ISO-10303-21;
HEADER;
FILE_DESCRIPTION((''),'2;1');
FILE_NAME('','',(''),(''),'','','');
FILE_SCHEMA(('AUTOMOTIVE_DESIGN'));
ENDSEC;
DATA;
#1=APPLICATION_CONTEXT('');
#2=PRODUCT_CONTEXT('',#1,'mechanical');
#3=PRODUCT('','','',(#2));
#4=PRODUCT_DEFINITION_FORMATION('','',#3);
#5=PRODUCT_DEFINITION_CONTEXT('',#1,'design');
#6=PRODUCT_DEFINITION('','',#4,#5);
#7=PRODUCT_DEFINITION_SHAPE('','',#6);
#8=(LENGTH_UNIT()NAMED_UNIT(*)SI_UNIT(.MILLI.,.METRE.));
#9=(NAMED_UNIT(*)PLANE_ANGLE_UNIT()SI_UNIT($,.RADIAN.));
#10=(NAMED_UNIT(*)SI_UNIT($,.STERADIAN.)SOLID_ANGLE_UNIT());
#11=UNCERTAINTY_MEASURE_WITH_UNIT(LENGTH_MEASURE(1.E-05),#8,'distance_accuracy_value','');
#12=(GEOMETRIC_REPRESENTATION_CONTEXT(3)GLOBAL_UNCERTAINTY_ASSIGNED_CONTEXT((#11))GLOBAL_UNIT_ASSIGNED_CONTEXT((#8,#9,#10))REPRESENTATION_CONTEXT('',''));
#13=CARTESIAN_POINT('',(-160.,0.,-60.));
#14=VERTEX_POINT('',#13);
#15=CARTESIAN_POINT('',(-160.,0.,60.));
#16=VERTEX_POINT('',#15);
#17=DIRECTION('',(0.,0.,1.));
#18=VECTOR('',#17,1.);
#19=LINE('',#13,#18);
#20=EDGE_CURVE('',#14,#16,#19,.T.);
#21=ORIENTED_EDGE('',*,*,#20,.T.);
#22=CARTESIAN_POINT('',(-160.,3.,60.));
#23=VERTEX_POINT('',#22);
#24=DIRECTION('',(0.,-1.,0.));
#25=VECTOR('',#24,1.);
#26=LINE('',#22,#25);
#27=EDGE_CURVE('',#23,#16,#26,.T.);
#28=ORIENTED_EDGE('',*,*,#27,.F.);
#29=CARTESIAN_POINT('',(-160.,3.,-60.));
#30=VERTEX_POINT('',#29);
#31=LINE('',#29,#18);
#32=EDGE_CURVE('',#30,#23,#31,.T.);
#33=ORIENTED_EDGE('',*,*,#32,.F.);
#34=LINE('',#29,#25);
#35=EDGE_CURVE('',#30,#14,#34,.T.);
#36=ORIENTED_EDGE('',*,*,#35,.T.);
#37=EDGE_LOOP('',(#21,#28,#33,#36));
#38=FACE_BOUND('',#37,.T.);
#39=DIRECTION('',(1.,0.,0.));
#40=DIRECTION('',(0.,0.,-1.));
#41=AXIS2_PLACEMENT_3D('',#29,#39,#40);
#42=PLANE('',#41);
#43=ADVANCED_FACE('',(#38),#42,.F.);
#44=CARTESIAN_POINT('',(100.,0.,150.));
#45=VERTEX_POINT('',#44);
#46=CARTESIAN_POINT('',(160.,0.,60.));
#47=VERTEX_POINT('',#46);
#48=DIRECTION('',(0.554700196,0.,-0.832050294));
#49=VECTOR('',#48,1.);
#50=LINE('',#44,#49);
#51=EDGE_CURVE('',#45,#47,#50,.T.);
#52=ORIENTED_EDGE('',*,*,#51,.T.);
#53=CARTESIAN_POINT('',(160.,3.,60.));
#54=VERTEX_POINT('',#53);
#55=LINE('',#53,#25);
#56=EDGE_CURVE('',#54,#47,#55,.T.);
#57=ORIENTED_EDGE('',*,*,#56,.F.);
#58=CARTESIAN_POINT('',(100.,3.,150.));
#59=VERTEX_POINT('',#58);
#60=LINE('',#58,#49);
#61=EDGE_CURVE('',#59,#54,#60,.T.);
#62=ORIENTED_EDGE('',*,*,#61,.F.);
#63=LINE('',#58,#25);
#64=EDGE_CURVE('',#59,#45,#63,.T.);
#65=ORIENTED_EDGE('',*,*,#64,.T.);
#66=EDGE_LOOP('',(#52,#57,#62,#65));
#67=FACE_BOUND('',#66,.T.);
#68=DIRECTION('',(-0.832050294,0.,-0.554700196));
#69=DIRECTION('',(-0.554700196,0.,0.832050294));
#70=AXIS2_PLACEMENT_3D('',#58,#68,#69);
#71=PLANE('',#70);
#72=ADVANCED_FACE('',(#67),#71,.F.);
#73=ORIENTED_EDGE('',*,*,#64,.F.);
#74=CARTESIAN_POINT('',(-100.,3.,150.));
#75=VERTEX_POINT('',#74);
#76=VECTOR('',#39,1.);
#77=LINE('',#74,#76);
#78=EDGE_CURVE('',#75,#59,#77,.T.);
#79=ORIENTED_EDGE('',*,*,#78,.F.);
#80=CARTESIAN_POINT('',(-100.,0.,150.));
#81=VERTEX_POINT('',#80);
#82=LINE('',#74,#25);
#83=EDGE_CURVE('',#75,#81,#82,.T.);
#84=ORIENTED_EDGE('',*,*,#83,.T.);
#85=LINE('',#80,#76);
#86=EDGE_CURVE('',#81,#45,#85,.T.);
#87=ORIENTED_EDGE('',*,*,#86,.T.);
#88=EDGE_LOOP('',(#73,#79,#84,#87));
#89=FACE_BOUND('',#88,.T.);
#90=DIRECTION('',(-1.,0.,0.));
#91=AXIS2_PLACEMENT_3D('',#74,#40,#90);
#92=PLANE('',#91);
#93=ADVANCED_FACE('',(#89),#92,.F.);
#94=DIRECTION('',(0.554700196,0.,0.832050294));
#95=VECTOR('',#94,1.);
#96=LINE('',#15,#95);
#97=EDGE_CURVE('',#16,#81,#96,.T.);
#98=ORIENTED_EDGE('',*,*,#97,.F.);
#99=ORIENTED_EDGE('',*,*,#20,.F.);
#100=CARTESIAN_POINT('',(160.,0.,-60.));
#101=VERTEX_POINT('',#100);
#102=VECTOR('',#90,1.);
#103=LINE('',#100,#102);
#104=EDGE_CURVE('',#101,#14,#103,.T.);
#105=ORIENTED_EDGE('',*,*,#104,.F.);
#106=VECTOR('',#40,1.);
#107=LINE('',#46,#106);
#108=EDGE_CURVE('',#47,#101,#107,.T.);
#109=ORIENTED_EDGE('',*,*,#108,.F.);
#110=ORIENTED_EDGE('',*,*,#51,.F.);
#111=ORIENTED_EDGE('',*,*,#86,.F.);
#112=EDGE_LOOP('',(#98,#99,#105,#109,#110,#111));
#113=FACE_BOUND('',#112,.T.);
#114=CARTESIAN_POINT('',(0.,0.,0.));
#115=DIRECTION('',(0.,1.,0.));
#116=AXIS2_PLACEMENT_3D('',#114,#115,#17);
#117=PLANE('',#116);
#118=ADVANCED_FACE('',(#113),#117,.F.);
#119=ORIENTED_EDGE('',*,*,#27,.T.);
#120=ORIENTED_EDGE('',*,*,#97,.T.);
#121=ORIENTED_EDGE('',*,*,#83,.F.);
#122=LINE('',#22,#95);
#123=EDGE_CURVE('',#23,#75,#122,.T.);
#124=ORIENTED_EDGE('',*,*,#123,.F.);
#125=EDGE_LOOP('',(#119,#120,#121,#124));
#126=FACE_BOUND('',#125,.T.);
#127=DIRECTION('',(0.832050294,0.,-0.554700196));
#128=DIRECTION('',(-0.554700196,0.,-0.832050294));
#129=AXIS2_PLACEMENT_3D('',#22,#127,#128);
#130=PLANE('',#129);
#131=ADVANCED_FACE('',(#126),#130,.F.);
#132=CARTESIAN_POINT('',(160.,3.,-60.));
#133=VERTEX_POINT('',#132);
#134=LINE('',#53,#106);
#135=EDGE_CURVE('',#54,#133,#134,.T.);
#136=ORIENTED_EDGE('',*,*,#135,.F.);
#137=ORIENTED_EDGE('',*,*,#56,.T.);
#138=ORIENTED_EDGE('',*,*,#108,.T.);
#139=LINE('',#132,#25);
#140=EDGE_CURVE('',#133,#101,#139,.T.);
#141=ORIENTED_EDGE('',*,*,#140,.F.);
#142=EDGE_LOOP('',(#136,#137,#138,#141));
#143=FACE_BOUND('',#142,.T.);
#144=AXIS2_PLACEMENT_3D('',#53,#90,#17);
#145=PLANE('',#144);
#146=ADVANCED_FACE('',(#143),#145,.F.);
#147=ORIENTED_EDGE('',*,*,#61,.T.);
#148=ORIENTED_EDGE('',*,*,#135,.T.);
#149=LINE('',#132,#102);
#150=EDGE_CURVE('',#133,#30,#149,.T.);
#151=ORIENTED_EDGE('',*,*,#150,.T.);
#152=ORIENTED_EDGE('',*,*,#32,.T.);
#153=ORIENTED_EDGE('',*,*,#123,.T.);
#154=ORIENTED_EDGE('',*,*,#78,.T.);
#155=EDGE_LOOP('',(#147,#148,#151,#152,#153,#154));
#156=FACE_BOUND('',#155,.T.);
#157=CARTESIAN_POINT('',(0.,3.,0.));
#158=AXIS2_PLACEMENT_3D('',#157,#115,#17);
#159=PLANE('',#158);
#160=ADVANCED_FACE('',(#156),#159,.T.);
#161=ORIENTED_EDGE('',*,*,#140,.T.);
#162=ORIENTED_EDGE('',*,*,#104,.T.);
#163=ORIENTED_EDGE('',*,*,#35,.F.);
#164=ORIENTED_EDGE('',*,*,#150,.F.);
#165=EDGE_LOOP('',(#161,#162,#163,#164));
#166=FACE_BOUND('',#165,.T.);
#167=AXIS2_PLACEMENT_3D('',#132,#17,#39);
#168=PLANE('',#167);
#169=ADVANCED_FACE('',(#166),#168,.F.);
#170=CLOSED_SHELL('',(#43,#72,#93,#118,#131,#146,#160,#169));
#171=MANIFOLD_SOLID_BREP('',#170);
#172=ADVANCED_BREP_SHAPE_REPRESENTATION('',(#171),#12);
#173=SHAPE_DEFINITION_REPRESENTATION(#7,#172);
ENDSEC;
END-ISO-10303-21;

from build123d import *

# Parameters (mm, degrees)
BOSS_EXTRUDE1_DEPTH = 3


with BuildPart() as part:
    # Sketch1 → Boss-Extrude1 (new body)
    with BuildSketch(Plane(origin=(0, 0, 0), x_dir=(1, 0, 0), z_dir=(0, 1, 0))):
        Polygon((160, 60), (-160, 60), (-160, -60), (-100, -150), (100, -150), (160, -60), align=None)
    extrude(amount=BOSS_EXTRUDE1_DEPTH)


solid = part.part
